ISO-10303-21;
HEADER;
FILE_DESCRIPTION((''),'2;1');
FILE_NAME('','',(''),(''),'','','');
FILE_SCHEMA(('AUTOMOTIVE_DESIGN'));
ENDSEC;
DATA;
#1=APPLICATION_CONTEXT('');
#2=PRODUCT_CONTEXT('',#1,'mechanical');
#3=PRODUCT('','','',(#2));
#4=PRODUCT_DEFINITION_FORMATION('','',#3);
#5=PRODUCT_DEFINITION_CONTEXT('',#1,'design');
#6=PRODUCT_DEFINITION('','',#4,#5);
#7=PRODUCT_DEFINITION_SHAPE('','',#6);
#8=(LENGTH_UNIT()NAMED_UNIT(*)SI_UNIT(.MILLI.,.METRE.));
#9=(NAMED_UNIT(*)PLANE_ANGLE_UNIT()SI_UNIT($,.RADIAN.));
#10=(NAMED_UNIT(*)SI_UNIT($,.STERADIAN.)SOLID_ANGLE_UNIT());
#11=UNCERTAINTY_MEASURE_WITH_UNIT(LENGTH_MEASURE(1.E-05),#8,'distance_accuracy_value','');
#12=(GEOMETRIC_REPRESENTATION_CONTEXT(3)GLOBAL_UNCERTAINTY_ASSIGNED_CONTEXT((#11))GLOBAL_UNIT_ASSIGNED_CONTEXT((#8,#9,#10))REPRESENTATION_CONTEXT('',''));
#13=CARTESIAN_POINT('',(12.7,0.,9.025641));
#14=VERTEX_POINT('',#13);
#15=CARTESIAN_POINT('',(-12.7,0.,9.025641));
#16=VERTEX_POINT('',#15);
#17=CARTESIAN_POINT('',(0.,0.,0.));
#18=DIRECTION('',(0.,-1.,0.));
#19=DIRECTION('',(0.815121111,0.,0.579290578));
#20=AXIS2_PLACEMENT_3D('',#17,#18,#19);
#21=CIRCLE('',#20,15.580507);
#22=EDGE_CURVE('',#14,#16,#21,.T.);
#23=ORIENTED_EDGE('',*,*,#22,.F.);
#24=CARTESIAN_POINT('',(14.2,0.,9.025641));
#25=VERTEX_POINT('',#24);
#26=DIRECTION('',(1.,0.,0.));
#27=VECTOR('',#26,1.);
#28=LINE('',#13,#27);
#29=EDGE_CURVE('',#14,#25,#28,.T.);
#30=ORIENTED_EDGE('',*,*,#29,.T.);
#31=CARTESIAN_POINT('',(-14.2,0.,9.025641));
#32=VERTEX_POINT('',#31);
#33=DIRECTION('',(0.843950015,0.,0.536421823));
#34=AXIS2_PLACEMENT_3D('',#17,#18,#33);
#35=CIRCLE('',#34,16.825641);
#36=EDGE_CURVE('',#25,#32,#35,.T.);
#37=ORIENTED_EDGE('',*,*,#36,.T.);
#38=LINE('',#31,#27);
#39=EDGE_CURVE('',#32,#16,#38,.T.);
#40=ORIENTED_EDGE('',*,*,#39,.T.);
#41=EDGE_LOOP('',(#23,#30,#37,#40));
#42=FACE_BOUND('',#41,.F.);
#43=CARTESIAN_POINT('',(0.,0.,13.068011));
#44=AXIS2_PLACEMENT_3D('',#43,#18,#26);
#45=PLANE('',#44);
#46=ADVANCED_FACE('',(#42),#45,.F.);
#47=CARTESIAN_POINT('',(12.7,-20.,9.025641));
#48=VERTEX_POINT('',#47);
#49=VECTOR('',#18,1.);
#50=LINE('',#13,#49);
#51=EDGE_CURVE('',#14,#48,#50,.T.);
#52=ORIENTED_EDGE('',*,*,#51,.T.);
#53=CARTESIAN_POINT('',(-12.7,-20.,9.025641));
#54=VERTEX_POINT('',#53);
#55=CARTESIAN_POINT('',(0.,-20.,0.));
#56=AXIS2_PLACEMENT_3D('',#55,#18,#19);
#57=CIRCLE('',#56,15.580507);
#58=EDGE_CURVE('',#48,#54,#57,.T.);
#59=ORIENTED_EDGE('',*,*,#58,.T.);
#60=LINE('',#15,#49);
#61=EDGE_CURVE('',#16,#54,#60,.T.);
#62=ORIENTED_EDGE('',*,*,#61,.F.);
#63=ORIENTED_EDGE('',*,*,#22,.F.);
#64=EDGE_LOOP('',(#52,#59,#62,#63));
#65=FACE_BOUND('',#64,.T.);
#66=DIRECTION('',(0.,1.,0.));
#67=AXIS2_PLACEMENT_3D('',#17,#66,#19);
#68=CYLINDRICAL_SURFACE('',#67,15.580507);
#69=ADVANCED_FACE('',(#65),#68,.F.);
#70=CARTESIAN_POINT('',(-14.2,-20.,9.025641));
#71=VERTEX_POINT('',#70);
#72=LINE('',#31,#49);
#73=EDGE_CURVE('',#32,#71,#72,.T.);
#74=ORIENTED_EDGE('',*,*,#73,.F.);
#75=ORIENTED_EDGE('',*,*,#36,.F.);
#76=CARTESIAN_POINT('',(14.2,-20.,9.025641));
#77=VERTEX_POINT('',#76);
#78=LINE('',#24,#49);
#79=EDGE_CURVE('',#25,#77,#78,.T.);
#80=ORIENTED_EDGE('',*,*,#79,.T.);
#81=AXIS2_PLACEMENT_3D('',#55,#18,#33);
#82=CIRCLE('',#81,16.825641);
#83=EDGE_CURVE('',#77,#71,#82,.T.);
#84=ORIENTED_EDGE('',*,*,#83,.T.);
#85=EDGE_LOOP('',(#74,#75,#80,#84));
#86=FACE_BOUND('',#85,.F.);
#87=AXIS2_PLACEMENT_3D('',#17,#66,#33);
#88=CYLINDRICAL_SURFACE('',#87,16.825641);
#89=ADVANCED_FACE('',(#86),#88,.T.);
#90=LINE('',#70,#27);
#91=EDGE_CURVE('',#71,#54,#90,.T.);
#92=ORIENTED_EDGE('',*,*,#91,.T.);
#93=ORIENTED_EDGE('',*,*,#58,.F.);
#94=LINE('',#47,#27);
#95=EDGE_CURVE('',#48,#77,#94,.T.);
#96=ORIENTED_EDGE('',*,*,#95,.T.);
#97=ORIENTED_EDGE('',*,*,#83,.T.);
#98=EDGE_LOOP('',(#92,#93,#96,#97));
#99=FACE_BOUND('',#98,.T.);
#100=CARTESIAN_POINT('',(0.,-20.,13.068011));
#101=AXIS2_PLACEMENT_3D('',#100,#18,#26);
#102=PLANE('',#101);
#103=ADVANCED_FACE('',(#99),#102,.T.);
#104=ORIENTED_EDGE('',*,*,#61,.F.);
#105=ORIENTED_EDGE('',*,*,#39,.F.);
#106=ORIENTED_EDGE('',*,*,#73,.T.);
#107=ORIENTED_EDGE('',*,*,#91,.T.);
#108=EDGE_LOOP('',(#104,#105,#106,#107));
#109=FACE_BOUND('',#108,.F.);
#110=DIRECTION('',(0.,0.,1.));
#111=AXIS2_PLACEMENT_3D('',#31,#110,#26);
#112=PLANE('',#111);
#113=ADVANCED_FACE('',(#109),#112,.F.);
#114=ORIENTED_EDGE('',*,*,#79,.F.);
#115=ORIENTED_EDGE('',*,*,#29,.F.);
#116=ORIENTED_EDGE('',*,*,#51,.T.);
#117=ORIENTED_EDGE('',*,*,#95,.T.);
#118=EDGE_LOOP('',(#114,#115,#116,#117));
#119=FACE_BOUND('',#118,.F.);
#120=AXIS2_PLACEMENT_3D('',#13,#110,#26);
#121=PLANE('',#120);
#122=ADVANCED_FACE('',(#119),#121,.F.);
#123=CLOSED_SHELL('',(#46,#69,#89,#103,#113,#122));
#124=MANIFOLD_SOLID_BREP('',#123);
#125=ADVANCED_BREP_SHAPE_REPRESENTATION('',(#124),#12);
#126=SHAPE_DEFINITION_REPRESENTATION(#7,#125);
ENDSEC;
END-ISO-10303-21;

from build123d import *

# Parameters (mm, degrees)
PAD_DEPTH = 20


with BuildPart() as part:
    # Sketch → Pad (new body)
    with BuildSketch(Plane.XZ):
        with BuildLine():
            ThreePointArc((14.2, 9.025641), (0, 16.825641), (-14.2, 9.025641))
            Line((-14.2, 9.025641), (-12.7, 9.025641))
            ThreePointArc((12.7, 9.025641), (0, 15.580507), (-12.7, 9.025641))
            Line((12.7, 9.025641), (14.2, 9.025641))
        make_face()
    extrude(amount=PAD_DEPTH)


solid = part.part
